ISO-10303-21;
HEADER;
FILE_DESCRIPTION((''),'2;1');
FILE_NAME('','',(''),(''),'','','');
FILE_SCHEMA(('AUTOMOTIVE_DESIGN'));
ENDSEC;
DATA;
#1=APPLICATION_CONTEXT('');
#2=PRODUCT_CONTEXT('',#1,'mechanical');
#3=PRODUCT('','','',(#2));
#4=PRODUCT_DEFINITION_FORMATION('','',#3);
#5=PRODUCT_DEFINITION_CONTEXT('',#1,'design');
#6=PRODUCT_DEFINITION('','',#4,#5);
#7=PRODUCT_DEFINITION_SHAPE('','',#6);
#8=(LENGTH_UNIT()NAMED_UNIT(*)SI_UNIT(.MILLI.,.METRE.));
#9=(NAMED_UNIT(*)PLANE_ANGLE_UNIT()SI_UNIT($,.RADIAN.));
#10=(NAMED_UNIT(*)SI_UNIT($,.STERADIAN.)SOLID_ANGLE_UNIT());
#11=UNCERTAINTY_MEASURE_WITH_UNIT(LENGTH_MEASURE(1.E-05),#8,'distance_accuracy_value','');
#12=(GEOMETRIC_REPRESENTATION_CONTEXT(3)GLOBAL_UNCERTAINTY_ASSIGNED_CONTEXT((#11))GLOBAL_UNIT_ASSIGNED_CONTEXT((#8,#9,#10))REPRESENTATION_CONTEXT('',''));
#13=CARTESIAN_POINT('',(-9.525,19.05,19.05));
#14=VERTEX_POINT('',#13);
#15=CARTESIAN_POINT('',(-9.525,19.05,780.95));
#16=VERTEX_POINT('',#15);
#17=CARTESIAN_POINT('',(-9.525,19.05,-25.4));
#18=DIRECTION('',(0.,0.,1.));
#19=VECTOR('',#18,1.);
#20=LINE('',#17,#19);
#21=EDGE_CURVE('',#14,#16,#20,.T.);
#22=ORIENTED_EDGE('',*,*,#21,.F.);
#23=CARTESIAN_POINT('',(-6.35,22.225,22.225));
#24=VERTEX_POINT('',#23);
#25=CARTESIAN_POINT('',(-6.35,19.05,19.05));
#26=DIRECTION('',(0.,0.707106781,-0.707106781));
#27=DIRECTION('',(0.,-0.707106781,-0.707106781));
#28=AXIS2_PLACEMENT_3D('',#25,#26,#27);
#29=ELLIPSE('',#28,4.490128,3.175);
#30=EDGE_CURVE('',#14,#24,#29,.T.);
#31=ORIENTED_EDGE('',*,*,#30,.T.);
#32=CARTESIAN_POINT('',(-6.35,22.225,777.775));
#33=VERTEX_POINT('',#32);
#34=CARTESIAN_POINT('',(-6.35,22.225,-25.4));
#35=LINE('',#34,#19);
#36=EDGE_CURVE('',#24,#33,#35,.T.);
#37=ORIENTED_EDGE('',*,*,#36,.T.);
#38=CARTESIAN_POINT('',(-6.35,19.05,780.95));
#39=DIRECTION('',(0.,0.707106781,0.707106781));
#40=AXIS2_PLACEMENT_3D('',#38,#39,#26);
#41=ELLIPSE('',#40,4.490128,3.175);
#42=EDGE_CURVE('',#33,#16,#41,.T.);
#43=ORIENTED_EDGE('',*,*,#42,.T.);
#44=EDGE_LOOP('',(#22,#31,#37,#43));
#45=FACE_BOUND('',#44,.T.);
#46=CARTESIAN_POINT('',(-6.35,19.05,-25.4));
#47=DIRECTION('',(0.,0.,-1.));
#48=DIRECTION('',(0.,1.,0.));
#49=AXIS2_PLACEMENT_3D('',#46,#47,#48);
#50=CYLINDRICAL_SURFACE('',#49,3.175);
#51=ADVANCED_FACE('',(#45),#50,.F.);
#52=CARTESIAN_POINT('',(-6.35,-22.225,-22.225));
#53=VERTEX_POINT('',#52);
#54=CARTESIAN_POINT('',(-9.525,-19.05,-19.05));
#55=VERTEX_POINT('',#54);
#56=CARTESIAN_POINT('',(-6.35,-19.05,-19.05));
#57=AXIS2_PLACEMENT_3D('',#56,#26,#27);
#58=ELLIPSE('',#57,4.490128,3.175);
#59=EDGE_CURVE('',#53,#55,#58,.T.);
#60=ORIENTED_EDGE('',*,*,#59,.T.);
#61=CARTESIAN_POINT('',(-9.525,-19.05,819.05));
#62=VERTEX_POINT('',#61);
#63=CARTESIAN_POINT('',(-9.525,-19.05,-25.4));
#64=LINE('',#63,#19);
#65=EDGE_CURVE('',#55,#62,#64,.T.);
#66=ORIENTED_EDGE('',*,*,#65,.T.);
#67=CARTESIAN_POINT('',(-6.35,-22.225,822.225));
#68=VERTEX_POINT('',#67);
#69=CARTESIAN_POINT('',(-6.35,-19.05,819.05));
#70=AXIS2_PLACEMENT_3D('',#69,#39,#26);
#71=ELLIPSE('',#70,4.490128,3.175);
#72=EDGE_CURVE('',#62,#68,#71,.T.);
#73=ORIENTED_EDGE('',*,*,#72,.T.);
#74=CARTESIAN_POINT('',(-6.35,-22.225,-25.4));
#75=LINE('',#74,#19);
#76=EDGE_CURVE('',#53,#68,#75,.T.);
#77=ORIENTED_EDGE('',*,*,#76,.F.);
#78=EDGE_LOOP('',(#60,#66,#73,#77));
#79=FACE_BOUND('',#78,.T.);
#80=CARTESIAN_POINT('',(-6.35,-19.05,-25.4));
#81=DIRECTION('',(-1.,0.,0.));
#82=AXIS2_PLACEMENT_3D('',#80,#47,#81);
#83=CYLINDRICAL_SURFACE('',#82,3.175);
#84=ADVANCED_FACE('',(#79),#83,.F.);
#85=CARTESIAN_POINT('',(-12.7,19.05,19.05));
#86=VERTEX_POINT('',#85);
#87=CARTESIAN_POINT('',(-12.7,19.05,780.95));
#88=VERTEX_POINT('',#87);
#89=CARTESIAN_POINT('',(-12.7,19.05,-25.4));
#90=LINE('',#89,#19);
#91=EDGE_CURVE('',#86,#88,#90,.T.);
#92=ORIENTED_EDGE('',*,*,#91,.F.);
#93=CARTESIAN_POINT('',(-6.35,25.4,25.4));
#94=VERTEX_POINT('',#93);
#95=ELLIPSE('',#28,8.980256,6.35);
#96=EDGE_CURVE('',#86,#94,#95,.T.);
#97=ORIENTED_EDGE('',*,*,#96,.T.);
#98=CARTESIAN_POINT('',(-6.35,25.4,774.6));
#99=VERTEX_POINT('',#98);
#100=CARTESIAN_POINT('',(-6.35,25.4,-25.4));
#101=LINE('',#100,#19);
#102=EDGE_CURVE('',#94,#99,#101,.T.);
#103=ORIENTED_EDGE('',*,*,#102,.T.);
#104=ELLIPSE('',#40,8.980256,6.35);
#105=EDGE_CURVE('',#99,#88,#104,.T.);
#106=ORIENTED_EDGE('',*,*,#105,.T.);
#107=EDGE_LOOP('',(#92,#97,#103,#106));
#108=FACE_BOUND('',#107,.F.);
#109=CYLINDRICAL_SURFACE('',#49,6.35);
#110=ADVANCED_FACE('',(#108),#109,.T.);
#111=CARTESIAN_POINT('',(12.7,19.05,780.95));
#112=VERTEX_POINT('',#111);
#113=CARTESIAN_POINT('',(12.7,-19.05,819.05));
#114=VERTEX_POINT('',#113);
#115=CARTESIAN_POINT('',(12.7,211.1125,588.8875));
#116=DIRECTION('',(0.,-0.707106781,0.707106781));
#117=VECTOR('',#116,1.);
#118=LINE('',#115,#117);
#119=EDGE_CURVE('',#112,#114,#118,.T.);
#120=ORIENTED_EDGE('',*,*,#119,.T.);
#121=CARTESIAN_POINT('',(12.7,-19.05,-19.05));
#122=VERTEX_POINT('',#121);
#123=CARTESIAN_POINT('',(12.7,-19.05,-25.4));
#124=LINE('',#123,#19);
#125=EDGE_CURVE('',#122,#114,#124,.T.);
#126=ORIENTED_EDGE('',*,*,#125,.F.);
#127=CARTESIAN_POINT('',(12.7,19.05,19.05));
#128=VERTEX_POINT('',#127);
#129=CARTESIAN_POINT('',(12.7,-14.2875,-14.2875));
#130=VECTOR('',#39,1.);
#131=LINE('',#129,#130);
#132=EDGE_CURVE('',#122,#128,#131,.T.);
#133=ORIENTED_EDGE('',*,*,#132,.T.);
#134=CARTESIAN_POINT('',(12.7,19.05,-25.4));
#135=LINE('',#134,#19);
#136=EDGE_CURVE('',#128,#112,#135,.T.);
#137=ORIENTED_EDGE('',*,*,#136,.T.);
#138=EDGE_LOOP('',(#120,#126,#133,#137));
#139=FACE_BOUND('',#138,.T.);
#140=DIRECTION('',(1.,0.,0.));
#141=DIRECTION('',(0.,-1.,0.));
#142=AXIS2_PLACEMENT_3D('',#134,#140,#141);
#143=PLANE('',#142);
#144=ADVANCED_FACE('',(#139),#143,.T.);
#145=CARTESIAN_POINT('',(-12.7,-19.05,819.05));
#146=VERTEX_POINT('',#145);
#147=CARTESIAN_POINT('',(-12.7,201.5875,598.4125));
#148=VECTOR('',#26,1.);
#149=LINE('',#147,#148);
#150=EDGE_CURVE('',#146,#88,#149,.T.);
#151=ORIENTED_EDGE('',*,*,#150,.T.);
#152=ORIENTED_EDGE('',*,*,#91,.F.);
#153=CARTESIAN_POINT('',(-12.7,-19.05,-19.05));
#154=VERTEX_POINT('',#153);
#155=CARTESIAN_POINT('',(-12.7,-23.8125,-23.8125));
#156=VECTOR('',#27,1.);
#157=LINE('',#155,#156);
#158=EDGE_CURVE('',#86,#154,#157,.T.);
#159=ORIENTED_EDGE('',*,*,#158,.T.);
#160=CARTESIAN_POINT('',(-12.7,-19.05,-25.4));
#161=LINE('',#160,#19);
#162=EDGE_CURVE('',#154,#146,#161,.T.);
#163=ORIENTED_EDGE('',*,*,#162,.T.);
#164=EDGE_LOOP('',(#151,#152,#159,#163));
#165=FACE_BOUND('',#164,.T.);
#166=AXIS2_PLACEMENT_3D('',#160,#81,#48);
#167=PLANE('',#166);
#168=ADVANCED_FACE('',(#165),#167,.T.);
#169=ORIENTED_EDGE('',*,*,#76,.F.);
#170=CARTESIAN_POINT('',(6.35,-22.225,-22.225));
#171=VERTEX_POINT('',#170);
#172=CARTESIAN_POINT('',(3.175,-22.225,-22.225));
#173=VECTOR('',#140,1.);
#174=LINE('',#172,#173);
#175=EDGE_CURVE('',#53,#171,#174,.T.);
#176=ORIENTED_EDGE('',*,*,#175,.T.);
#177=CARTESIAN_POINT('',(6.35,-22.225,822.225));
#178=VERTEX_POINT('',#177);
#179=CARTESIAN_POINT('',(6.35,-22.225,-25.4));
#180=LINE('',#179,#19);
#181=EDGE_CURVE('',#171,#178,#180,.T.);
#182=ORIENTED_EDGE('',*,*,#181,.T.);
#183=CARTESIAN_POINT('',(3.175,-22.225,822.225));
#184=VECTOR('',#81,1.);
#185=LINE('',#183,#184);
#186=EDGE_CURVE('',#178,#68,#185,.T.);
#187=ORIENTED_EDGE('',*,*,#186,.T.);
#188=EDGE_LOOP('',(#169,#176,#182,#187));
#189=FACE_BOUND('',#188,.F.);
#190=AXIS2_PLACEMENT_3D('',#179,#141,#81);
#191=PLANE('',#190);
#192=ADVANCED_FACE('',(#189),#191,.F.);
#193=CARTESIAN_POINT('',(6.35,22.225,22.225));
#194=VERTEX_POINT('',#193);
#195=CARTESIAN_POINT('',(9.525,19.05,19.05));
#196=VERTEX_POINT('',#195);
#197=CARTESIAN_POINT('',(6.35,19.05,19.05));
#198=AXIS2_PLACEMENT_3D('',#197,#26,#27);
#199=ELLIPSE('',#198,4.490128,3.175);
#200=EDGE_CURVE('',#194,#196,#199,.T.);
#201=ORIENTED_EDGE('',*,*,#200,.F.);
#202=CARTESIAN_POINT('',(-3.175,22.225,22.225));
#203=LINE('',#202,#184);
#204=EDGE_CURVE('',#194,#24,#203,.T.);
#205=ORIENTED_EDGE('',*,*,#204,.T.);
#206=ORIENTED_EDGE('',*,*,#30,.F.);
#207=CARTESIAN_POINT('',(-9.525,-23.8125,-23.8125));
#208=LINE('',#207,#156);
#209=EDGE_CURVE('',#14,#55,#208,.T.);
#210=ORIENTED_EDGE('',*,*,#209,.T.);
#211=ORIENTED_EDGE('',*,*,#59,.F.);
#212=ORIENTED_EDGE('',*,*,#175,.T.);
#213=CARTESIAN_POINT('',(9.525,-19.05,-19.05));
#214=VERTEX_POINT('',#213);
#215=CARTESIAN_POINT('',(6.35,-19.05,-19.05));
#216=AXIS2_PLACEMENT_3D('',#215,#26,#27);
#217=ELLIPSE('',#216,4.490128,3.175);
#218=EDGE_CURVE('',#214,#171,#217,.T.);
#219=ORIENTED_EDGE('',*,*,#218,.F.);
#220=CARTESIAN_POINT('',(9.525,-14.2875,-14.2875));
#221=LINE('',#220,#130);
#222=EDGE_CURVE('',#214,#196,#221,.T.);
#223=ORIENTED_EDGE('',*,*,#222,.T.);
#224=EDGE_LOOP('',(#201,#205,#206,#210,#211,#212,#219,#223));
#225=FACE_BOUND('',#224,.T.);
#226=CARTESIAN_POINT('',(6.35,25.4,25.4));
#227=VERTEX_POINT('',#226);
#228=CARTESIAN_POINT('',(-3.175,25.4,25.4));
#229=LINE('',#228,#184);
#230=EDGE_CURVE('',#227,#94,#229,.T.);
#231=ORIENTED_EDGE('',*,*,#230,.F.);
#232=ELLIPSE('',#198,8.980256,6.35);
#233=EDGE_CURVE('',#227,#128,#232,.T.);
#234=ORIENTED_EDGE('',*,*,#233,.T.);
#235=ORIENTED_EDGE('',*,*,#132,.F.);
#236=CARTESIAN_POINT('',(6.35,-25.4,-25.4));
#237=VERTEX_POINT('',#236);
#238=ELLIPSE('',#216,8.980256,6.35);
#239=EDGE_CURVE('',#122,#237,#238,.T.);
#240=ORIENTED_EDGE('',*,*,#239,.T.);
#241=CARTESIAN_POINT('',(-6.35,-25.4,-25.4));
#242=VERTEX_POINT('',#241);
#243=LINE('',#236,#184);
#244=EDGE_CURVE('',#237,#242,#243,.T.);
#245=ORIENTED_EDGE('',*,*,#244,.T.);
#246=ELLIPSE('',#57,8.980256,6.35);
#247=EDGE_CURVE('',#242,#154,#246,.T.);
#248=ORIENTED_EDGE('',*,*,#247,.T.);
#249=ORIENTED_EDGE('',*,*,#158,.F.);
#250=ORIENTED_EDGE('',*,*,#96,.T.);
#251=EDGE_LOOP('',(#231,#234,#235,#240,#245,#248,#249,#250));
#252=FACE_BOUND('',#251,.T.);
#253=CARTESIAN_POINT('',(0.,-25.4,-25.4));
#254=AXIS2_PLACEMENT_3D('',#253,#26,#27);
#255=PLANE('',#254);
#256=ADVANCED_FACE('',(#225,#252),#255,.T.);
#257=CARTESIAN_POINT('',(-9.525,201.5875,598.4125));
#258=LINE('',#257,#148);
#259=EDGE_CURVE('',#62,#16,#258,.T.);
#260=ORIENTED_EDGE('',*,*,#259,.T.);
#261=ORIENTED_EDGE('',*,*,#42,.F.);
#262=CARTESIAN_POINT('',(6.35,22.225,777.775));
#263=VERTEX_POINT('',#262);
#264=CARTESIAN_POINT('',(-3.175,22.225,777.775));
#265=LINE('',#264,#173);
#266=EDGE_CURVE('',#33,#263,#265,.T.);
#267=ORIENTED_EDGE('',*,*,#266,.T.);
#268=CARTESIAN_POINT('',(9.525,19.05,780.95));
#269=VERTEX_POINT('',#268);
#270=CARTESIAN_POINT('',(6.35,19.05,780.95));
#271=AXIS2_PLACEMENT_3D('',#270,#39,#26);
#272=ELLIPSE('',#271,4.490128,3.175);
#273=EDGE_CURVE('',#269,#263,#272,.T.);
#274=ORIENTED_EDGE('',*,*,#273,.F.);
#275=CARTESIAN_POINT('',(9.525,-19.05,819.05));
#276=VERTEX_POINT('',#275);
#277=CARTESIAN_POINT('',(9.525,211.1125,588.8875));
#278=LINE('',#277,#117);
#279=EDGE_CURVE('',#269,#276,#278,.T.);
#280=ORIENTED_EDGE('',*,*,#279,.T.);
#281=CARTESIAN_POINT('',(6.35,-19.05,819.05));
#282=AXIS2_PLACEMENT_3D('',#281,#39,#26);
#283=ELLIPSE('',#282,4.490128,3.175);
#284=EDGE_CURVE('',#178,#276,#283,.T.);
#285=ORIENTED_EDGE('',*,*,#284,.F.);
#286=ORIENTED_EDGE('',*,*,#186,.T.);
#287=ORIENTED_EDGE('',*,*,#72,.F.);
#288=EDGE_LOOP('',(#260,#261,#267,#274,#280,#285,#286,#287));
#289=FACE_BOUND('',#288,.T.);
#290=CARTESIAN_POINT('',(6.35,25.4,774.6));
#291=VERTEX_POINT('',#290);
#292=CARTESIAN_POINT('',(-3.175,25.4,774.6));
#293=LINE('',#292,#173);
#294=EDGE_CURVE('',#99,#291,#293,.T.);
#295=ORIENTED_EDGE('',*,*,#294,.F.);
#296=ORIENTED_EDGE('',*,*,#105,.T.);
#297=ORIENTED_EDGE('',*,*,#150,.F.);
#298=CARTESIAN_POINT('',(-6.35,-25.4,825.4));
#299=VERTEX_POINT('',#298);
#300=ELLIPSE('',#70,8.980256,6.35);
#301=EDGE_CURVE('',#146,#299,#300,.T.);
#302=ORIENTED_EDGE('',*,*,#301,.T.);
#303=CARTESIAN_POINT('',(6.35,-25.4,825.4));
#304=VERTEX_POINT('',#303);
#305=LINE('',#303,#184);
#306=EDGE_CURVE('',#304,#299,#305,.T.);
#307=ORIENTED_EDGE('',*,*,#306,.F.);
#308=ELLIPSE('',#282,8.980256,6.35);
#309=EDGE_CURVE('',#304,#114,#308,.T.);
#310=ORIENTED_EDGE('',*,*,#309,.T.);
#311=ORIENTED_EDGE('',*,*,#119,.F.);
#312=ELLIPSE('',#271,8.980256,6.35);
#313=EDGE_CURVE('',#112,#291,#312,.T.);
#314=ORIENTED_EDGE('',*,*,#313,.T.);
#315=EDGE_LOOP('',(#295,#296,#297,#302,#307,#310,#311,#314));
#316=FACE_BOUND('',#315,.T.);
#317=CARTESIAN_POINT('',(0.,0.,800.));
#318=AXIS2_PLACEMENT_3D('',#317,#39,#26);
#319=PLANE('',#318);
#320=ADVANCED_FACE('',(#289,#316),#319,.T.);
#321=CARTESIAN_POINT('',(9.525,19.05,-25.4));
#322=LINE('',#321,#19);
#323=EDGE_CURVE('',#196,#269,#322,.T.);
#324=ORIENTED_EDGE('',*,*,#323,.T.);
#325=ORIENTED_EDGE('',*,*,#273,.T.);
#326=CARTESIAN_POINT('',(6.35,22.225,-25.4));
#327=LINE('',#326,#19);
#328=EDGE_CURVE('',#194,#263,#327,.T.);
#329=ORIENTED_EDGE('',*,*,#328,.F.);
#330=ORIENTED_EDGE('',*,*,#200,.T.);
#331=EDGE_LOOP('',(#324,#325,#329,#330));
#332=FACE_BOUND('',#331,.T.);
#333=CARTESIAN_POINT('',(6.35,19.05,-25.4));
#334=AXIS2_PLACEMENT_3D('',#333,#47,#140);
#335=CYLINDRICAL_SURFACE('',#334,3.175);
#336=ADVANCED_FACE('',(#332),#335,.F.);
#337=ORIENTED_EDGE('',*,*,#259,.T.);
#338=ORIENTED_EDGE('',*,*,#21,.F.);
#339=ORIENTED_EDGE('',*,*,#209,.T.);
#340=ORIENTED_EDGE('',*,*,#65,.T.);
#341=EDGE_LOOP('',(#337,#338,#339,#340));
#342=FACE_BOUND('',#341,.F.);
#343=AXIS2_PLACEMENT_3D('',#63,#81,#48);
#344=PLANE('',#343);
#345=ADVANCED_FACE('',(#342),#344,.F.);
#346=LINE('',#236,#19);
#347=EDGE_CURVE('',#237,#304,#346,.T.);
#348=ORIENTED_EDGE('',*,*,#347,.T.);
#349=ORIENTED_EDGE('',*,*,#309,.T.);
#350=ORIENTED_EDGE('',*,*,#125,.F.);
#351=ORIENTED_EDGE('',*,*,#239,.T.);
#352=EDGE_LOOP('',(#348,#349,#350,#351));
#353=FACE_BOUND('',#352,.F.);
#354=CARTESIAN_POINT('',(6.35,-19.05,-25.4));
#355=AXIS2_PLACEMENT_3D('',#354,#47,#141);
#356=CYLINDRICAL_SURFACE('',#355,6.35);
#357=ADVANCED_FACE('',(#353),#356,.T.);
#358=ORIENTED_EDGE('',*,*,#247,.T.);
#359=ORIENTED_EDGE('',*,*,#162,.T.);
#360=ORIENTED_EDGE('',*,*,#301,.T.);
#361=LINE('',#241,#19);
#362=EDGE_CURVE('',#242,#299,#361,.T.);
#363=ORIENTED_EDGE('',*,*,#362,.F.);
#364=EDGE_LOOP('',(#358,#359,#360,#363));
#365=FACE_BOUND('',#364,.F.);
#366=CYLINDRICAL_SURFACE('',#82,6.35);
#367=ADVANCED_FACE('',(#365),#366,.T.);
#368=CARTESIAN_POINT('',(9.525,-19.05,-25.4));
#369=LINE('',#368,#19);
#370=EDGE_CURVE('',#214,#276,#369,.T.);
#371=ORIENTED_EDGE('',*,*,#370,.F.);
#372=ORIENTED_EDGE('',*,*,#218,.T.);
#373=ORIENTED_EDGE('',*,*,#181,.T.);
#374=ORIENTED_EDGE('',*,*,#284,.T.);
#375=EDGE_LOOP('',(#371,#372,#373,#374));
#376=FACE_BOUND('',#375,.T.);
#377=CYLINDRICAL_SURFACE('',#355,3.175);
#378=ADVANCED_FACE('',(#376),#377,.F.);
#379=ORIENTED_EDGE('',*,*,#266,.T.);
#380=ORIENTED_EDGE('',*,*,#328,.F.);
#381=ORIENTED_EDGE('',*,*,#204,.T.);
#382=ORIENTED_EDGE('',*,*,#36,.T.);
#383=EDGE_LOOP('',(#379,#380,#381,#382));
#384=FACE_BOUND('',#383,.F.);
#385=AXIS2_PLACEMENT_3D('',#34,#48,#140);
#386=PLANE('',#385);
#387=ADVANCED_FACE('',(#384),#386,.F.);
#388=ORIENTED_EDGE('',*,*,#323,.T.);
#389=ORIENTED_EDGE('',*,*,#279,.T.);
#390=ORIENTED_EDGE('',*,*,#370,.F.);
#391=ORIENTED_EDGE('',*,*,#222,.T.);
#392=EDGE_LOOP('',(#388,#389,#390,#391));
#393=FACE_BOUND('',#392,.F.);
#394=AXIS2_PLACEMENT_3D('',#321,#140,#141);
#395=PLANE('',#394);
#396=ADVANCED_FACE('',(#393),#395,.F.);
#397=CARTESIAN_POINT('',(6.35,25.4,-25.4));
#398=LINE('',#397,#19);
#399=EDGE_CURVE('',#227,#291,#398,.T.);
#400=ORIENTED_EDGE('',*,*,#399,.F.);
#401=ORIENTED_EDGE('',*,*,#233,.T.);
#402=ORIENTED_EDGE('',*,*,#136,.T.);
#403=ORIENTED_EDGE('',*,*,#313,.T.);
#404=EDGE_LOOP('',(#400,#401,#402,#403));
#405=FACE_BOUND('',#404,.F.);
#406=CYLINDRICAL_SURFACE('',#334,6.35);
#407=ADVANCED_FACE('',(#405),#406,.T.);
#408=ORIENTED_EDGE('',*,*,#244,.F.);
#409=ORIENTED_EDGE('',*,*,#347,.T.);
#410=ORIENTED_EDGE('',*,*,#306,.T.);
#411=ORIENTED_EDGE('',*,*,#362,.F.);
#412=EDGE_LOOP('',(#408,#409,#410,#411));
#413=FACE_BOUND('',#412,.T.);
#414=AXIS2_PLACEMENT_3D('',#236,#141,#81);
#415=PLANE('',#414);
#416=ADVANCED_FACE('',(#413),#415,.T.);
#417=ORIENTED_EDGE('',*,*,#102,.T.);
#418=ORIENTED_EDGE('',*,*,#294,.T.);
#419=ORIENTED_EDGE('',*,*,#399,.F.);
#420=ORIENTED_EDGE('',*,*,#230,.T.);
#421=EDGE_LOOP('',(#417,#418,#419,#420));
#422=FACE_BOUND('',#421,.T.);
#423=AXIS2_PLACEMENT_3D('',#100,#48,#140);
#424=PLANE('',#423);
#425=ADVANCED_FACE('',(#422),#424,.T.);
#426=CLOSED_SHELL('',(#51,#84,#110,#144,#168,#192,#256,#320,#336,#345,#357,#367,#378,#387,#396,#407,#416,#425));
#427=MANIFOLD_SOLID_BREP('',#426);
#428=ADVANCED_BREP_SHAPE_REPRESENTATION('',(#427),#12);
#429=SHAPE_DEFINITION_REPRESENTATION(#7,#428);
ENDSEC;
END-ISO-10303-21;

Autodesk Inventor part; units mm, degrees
ref_plane "Start Plane" through (0, 0, -25.4) normal (0, 0, 1) x (1, 0, 0)
ref_plane "End Plane" through (0, 0, 825.4) normal (0, 0, 1) x (1, 0, 0)
sketch "Sketch" plane through (0, 0, 0) normal (0, 0, 1) x (1, 0, 0)
  line L0 (-12.7, -19.05) -> (-12.7, 19.05)
  line L1 (-6.35, 25.4) -> (6.35, 25.4)
  line L2 (12.7, 19.05) -> (12.7, -19.05)
  line L3 (6.35, -25.4) -> (-6.35, -25.4)
  arc A0 (-12.7, -19.05) -> (-6.35, -25.4) centre (-6.35, -19.05) ccw
  arc A1 (-6.35, 25.4) -> (-12.7, 19.05) centre (-6.35, 19.05) ccw
  arc A2 (12.7, 19.05) -> (6.35, 25.4) centre (6.35, 19.05) ccw
  arc A3 (6.35, -25.4) -> (12.7, -19.05) centre (6.35, -19.05) ccw
  arc A4 (-6.35, 22.225) -> (-9.525, 19.05) centre (-6.35, 19.05) ccw
  line L4 (-6.35, 22.225) -> (6.35, 22.225)
  arc A5 (9.525, 19.05) -> (6.35, 22.225) centre (6.35, 19.05) ccw
  line L5 (9.525, 19.05) -> (9.525, -19.05)
  arc A6 (6.35, -22.225) -> (9.525, -19.05) centre (6.35, -19.05) ccw
  line L6 (6.35, -22.225) -> (-6.35, -22.225)
  arc A7 (-9.525, -19.05) -> (-6.35, -22.225) centre (-6.35, -19.05) ccw
  line L7 (-9.525, -19.05) -> (-9.525, 19.05)
  line L8 (0, 37.4012) -> (0, -37.4012) construction
  line L9 (-19.6212, 0) -> (19.6212, 0) construction
  dimension "d10" = 50.8
  dimension "d11" = 25.4
  dimension "d12" = 3.175
  dimension "d15" = 25.4
  dimension "d16" = 12.7
  dimension "d17" = 6.35
extrude "Body" add sketch "Sketch" along normal up to surface (850.8 mm away) from surface at -25.4
sketch "Sketch3" plane through (0, 0, 0) normal (0, 0, 1) x (1, 0, 0)
  line L0 (0, 0) -> (10, 0)
ref_plane "Work Plane3" through (0, 0, 0) normal (0, -1, 0) x (1, 0, 0)
ref_plane "Work Plane4" through (0, -25.4, -25.4) normal (0, 0.7071, -0.7071) x (1, 0, 0)
split "Split1" plane through (0, -25.4, -25.4) removes the side toward (0, 0.7071, -0.7071)
ref_plane "Work Plane5" through (0, 0, 800) normal (0, 0.7071, 0.7071) x (1, 0, 0)
split "Split2" plane through (0, 0, 800) removes the side toward (0, 0.7071, 0.7071)
sketch "Sketch4" plane through (0, 0, 0) normal (0, -1, 0) x (1, 0, 0)
  line L0 (-2, -25.4) -> (12, -25.4) projected
  line L1 (-2, 825.4) -> (12, 825.4) projected
  dimension "d19" = 850.8
equation "\"d10\" = G_H"
equation "\"d11\" = G_W"
equation "\"d12\" = G_T"
equation "\"d15\" = 0.5 * d10"
equation "\"d16\" = 0.5 * d11"
equation "\"d17\" = G_IR"
equation "\"d3\" = G_L"
equation "\"G_W\" = 25.4"
equation "\"G_H\" = 50.8"
equation "\"G_T\" = 3.175"
equation "\"G_IR\" = 6.35"
equation "\"G_L\" = d19"
equation "\"G_OFFSET_START\" = 25.4"
equation "\"G_OFFSET_END\" = 25.4"
equation "\"d13\" = -G_OFFSET_START"
equation "\"d14\" = G_OFFSET_END + B_L"
equation "\"B_L\" = 800"
properties part number "AISC - 2 x 1 x 1/8 - 33.496" material "Steel, Wrought"
